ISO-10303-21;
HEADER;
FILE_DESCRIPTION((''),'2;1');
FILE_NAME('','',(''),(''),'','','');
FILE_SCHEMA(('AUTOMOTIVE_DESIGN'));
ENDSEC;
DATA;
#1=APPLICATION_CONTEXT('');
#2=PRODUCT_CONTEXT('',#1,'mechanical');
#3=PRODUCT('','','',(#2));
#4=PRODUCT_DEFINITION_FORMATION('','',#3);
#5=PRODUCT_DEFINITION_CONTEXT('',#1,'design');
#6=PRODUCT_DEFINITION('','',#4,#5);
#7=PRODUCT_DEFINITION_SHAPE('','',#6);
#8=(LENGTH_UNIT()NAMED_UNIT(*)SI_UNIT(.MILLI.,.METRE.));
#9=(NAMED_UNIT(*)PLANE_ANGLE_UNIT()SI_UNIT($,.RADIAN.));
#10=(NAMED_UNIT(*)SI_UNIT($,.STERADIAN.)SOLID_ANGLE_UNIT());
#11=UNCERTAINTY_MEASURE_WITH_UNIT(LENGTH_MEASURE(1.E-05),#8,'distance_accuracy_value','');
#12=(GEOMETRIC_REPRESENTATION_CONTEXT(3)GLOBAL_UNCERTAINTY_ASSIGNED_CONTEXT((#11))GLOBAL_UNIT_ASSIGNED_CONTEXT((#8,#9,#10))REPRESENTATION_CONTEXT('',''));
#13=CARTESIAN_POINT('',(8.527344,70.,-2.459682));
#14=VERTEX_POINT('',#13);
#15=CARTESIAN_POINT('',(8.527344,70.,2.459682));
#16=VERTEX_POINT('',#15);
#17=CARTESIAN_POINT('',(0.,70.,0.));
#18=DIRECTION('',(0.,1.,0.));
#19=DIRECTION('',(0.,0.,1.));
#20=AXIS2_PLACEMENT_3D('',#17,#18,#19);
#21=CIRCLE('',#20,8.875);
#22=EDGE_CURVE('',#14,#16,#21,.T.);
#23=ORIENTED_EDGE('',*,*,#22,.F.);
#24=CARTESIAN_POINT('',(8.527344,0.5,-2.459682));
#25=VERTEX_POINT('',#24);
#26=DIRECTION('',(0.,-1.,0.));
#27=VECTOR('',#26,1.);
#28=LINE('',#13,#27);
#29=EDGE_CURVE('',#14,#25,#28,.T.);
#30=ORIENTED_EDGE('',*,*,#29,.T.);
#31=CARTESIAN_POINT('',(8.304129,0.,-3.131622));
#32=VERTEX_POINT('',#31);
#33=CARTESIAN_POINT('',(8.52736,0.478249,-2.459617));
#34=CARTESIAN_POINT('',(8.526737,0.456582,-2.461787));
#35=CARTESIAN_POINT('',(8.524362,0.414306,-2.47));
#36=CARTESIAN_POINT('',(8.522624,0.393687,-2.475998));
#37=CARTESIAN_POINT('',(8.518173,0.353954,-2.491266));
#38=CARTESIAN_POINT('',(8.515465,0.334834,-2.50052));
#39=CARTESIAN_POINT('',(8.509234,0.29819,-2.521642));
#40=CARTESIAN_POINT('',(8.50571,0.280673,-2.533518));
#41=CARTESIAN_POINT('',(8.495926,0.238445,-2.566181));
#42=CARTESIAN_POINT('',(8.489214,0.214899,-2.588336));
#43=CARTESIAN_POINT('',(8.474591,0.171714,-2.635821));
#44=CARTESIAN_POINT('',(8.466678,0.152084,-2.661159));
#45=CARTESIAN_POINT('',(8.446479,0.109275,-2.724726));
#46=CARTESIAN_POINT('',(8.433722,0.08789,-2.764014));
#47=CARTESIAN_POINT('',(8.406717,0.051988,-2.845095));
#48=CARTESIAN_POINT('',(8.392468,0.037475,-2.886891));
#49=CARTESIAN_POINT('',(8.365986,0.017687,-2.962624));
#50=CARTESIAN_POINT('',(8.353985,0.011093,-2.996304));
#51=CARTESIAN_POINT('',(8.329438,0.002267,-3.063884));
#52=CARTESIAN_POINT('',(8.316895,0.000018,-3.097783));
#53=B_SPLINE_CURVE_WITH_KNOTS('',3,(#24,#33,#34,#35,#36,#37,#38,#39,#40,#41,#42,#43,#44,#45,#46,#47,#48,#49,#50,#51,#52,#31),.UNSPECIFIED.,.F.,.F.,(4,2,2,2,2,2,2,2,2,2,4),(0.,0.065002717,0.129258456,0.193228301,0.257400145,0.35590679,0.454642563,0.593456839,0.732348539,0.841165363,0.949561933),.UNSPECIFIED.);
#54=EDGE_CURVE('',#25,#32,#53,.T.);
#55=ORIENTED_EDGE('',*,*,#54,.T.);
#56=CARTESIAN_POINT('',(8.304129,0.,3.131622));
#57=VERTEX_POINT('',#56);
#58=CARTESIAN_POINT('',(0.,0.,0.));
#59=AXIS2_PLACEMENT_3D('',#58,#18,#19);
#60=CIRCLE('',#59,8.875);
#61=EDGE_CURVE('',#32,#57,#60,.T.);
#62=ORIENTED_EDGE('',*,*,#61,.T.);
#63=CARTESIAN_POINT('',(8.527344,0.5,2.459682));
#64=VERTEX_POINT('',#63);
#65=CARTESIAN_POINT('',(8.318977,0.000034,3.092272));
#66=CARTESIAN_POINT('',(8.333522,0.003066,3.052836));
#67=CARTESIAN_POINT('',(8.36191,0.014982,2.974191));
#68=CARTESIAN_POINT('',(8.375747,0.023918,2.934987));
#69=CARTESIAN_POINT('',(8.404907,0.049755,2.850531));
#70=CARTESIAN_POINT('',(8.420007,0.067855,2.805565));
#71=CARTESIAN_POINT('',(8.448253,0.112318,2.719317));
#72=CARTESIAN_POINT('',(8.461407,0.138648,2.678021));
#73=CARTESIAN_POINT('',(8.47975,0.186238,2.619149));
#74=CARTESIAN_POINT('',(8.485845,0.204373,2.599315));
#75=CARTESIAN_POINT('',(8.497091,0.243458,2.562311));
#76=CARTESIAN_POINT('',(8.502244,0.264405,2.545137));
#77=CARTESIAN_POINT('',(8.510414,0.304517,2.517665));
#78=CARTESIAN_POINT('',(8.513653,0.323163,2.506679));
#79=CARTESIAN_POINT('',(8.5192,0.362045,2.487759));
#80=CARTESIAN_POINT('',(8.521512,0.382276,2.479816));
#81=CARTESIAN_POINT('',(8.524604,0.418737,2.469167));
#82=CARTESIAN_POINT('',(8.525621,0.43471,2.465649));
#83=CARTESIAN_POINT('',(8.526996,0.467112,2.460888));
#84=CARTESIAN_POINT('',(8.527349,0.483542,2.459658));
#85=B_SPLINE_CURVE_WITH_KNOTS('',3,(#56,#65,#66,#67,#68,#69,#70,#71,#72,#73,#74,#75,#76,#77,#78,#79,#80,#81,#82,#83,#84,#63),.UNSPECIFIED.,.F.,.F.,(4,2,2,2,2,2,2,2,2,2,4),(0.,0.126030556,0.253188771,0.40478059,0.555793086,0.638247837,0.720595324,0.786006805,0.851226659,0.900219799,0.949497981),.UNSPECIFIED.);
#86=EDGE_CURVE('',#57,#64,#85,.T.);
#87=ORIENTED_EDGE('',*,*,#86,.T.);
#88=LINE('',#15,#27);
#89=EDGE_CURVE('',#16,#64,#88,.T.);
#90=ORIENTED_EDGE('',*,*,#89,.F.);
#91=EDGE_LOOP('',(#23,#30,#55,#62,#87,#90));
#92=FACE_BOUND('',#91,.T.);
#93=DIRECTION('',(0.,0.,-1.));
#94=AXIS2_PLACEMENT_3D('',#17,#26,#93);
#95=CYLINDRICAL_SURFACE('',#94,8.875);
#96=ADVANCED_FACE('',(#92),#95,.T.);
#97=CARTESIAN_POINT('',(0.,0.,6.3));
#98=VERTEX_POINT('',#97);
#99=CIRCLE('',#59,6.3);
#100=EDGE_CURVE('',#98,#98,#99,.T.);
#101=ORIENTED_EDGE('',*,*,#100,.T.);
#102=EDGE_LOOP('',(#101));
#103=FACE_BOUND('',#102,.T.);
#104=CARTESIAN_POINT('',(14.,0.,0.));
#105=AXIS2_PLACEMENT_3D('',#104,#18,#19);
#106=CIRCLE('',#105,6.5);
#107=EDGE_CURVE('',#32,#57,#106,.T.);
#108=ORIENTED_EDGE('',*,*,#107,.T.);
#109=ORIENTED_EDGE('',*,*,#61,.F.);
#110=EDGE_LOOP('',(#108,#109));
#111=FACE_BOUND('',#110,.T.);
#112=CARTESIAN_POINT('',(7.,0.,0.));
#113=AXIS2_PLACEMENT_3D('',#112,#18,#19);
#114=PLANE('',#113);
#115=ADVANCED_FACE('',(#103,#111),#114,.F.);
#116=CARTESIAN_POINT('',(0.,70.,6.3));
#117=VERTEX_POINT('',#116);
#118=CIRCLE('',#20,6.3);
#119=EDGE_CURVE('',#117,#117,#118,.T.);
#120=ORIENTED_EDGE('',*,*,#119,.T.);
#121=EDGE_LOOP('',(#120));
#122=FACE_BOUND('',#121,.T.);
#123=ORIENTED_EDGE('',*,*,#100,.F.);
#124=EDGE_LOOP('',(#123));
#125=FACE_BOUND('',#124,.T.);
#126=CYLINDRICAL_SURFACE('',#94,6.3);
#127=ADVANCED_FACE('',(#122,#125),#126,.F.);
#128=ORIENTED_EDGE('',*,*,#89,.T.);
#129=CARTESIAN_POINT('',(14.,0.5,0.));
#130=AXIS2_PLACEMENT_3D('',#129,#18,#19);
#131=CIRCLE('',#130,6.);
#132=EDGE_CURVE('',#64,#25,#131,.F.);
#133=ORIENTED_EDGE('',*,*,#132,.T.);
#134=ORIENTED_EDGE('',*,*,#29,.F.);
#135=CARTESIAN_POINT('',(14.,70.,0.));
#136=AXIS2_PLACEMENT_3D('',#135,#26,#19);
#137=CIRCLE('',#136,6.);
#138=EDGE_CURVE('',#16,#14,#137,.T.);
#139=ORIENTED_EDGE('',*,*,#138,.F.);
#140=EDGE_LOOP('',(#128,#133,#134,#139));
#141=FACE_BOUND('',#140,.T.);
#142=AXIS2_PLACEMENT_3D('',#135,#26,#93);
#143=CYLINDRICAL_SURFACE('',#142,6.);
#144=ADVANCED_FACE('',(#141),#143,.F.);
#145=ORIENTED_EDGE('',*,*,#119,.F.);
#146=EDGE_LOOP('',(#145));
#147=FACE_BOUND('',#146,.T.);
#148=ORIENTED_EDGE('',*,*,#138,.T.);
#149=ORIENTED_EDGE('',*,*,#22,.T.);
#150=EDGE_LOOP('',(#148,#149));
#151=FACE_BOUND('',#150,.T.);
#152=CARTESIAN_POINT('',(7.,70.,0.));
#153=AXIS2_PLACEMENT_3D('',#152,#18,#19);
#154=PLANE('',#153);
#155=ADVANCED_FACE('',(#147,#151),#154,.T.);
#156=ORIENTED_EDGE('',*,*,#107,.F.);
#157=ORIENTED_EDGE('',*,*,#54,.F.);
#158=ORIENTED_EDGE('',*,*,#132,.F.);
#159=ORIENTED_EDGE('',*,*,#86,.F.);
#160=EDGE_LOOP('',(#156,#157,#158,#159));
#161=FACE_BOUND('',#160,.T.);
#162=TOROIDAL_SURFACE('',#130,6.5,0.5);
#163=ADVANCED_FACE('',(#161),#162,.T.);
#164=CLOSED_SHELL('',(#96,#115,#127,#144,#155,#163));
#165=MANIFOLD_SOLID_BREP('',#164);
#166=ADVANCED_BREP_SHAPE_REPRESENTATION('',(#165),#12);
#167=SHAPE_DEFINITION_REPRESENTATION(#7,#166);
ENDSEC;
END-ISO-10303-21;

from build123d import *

# Parameters (mm, degrees)
SKETCH1_R           = 6.3
BOSS_EXTRUDE1_DEPTH = 70
FILLET1_R           = 0.5


with BuildPart() as part:
    # Sketch1 → Boss-Extrude1 (new body)
    with BuildSketch(Plane(origin=(0, 0, 0), x_dir=(1, 0, 0), z_dir=(0, 1, 0))):
        with BuildLine():
            ThreePointArc((8.52734375, 2.459681599), (-8.875, 0), (8.52734375, -2.459681599))
            ThreePointArc((8.52734375, -2.459681599), (8, 0), (8.52734375, 2.459681599))
        make_face()
        with Locations(Location((0, 0, 0), (0, 0, 270))):  # turned: the seam where the file's is
            Circle(SKETCH1_R, mode=Mode.SUBTRACT)
    extrude(amount=BOSS_EXTRUDE1_DEPTH)

    # Fillet1
    fillet1_edges = [part.edges().sort_by_distance(p)[0] for p in [
        (8, 0, 0),
    ]]
    fillet(fillet1_edges, radius=FILLET1_R)


solid = part.part
